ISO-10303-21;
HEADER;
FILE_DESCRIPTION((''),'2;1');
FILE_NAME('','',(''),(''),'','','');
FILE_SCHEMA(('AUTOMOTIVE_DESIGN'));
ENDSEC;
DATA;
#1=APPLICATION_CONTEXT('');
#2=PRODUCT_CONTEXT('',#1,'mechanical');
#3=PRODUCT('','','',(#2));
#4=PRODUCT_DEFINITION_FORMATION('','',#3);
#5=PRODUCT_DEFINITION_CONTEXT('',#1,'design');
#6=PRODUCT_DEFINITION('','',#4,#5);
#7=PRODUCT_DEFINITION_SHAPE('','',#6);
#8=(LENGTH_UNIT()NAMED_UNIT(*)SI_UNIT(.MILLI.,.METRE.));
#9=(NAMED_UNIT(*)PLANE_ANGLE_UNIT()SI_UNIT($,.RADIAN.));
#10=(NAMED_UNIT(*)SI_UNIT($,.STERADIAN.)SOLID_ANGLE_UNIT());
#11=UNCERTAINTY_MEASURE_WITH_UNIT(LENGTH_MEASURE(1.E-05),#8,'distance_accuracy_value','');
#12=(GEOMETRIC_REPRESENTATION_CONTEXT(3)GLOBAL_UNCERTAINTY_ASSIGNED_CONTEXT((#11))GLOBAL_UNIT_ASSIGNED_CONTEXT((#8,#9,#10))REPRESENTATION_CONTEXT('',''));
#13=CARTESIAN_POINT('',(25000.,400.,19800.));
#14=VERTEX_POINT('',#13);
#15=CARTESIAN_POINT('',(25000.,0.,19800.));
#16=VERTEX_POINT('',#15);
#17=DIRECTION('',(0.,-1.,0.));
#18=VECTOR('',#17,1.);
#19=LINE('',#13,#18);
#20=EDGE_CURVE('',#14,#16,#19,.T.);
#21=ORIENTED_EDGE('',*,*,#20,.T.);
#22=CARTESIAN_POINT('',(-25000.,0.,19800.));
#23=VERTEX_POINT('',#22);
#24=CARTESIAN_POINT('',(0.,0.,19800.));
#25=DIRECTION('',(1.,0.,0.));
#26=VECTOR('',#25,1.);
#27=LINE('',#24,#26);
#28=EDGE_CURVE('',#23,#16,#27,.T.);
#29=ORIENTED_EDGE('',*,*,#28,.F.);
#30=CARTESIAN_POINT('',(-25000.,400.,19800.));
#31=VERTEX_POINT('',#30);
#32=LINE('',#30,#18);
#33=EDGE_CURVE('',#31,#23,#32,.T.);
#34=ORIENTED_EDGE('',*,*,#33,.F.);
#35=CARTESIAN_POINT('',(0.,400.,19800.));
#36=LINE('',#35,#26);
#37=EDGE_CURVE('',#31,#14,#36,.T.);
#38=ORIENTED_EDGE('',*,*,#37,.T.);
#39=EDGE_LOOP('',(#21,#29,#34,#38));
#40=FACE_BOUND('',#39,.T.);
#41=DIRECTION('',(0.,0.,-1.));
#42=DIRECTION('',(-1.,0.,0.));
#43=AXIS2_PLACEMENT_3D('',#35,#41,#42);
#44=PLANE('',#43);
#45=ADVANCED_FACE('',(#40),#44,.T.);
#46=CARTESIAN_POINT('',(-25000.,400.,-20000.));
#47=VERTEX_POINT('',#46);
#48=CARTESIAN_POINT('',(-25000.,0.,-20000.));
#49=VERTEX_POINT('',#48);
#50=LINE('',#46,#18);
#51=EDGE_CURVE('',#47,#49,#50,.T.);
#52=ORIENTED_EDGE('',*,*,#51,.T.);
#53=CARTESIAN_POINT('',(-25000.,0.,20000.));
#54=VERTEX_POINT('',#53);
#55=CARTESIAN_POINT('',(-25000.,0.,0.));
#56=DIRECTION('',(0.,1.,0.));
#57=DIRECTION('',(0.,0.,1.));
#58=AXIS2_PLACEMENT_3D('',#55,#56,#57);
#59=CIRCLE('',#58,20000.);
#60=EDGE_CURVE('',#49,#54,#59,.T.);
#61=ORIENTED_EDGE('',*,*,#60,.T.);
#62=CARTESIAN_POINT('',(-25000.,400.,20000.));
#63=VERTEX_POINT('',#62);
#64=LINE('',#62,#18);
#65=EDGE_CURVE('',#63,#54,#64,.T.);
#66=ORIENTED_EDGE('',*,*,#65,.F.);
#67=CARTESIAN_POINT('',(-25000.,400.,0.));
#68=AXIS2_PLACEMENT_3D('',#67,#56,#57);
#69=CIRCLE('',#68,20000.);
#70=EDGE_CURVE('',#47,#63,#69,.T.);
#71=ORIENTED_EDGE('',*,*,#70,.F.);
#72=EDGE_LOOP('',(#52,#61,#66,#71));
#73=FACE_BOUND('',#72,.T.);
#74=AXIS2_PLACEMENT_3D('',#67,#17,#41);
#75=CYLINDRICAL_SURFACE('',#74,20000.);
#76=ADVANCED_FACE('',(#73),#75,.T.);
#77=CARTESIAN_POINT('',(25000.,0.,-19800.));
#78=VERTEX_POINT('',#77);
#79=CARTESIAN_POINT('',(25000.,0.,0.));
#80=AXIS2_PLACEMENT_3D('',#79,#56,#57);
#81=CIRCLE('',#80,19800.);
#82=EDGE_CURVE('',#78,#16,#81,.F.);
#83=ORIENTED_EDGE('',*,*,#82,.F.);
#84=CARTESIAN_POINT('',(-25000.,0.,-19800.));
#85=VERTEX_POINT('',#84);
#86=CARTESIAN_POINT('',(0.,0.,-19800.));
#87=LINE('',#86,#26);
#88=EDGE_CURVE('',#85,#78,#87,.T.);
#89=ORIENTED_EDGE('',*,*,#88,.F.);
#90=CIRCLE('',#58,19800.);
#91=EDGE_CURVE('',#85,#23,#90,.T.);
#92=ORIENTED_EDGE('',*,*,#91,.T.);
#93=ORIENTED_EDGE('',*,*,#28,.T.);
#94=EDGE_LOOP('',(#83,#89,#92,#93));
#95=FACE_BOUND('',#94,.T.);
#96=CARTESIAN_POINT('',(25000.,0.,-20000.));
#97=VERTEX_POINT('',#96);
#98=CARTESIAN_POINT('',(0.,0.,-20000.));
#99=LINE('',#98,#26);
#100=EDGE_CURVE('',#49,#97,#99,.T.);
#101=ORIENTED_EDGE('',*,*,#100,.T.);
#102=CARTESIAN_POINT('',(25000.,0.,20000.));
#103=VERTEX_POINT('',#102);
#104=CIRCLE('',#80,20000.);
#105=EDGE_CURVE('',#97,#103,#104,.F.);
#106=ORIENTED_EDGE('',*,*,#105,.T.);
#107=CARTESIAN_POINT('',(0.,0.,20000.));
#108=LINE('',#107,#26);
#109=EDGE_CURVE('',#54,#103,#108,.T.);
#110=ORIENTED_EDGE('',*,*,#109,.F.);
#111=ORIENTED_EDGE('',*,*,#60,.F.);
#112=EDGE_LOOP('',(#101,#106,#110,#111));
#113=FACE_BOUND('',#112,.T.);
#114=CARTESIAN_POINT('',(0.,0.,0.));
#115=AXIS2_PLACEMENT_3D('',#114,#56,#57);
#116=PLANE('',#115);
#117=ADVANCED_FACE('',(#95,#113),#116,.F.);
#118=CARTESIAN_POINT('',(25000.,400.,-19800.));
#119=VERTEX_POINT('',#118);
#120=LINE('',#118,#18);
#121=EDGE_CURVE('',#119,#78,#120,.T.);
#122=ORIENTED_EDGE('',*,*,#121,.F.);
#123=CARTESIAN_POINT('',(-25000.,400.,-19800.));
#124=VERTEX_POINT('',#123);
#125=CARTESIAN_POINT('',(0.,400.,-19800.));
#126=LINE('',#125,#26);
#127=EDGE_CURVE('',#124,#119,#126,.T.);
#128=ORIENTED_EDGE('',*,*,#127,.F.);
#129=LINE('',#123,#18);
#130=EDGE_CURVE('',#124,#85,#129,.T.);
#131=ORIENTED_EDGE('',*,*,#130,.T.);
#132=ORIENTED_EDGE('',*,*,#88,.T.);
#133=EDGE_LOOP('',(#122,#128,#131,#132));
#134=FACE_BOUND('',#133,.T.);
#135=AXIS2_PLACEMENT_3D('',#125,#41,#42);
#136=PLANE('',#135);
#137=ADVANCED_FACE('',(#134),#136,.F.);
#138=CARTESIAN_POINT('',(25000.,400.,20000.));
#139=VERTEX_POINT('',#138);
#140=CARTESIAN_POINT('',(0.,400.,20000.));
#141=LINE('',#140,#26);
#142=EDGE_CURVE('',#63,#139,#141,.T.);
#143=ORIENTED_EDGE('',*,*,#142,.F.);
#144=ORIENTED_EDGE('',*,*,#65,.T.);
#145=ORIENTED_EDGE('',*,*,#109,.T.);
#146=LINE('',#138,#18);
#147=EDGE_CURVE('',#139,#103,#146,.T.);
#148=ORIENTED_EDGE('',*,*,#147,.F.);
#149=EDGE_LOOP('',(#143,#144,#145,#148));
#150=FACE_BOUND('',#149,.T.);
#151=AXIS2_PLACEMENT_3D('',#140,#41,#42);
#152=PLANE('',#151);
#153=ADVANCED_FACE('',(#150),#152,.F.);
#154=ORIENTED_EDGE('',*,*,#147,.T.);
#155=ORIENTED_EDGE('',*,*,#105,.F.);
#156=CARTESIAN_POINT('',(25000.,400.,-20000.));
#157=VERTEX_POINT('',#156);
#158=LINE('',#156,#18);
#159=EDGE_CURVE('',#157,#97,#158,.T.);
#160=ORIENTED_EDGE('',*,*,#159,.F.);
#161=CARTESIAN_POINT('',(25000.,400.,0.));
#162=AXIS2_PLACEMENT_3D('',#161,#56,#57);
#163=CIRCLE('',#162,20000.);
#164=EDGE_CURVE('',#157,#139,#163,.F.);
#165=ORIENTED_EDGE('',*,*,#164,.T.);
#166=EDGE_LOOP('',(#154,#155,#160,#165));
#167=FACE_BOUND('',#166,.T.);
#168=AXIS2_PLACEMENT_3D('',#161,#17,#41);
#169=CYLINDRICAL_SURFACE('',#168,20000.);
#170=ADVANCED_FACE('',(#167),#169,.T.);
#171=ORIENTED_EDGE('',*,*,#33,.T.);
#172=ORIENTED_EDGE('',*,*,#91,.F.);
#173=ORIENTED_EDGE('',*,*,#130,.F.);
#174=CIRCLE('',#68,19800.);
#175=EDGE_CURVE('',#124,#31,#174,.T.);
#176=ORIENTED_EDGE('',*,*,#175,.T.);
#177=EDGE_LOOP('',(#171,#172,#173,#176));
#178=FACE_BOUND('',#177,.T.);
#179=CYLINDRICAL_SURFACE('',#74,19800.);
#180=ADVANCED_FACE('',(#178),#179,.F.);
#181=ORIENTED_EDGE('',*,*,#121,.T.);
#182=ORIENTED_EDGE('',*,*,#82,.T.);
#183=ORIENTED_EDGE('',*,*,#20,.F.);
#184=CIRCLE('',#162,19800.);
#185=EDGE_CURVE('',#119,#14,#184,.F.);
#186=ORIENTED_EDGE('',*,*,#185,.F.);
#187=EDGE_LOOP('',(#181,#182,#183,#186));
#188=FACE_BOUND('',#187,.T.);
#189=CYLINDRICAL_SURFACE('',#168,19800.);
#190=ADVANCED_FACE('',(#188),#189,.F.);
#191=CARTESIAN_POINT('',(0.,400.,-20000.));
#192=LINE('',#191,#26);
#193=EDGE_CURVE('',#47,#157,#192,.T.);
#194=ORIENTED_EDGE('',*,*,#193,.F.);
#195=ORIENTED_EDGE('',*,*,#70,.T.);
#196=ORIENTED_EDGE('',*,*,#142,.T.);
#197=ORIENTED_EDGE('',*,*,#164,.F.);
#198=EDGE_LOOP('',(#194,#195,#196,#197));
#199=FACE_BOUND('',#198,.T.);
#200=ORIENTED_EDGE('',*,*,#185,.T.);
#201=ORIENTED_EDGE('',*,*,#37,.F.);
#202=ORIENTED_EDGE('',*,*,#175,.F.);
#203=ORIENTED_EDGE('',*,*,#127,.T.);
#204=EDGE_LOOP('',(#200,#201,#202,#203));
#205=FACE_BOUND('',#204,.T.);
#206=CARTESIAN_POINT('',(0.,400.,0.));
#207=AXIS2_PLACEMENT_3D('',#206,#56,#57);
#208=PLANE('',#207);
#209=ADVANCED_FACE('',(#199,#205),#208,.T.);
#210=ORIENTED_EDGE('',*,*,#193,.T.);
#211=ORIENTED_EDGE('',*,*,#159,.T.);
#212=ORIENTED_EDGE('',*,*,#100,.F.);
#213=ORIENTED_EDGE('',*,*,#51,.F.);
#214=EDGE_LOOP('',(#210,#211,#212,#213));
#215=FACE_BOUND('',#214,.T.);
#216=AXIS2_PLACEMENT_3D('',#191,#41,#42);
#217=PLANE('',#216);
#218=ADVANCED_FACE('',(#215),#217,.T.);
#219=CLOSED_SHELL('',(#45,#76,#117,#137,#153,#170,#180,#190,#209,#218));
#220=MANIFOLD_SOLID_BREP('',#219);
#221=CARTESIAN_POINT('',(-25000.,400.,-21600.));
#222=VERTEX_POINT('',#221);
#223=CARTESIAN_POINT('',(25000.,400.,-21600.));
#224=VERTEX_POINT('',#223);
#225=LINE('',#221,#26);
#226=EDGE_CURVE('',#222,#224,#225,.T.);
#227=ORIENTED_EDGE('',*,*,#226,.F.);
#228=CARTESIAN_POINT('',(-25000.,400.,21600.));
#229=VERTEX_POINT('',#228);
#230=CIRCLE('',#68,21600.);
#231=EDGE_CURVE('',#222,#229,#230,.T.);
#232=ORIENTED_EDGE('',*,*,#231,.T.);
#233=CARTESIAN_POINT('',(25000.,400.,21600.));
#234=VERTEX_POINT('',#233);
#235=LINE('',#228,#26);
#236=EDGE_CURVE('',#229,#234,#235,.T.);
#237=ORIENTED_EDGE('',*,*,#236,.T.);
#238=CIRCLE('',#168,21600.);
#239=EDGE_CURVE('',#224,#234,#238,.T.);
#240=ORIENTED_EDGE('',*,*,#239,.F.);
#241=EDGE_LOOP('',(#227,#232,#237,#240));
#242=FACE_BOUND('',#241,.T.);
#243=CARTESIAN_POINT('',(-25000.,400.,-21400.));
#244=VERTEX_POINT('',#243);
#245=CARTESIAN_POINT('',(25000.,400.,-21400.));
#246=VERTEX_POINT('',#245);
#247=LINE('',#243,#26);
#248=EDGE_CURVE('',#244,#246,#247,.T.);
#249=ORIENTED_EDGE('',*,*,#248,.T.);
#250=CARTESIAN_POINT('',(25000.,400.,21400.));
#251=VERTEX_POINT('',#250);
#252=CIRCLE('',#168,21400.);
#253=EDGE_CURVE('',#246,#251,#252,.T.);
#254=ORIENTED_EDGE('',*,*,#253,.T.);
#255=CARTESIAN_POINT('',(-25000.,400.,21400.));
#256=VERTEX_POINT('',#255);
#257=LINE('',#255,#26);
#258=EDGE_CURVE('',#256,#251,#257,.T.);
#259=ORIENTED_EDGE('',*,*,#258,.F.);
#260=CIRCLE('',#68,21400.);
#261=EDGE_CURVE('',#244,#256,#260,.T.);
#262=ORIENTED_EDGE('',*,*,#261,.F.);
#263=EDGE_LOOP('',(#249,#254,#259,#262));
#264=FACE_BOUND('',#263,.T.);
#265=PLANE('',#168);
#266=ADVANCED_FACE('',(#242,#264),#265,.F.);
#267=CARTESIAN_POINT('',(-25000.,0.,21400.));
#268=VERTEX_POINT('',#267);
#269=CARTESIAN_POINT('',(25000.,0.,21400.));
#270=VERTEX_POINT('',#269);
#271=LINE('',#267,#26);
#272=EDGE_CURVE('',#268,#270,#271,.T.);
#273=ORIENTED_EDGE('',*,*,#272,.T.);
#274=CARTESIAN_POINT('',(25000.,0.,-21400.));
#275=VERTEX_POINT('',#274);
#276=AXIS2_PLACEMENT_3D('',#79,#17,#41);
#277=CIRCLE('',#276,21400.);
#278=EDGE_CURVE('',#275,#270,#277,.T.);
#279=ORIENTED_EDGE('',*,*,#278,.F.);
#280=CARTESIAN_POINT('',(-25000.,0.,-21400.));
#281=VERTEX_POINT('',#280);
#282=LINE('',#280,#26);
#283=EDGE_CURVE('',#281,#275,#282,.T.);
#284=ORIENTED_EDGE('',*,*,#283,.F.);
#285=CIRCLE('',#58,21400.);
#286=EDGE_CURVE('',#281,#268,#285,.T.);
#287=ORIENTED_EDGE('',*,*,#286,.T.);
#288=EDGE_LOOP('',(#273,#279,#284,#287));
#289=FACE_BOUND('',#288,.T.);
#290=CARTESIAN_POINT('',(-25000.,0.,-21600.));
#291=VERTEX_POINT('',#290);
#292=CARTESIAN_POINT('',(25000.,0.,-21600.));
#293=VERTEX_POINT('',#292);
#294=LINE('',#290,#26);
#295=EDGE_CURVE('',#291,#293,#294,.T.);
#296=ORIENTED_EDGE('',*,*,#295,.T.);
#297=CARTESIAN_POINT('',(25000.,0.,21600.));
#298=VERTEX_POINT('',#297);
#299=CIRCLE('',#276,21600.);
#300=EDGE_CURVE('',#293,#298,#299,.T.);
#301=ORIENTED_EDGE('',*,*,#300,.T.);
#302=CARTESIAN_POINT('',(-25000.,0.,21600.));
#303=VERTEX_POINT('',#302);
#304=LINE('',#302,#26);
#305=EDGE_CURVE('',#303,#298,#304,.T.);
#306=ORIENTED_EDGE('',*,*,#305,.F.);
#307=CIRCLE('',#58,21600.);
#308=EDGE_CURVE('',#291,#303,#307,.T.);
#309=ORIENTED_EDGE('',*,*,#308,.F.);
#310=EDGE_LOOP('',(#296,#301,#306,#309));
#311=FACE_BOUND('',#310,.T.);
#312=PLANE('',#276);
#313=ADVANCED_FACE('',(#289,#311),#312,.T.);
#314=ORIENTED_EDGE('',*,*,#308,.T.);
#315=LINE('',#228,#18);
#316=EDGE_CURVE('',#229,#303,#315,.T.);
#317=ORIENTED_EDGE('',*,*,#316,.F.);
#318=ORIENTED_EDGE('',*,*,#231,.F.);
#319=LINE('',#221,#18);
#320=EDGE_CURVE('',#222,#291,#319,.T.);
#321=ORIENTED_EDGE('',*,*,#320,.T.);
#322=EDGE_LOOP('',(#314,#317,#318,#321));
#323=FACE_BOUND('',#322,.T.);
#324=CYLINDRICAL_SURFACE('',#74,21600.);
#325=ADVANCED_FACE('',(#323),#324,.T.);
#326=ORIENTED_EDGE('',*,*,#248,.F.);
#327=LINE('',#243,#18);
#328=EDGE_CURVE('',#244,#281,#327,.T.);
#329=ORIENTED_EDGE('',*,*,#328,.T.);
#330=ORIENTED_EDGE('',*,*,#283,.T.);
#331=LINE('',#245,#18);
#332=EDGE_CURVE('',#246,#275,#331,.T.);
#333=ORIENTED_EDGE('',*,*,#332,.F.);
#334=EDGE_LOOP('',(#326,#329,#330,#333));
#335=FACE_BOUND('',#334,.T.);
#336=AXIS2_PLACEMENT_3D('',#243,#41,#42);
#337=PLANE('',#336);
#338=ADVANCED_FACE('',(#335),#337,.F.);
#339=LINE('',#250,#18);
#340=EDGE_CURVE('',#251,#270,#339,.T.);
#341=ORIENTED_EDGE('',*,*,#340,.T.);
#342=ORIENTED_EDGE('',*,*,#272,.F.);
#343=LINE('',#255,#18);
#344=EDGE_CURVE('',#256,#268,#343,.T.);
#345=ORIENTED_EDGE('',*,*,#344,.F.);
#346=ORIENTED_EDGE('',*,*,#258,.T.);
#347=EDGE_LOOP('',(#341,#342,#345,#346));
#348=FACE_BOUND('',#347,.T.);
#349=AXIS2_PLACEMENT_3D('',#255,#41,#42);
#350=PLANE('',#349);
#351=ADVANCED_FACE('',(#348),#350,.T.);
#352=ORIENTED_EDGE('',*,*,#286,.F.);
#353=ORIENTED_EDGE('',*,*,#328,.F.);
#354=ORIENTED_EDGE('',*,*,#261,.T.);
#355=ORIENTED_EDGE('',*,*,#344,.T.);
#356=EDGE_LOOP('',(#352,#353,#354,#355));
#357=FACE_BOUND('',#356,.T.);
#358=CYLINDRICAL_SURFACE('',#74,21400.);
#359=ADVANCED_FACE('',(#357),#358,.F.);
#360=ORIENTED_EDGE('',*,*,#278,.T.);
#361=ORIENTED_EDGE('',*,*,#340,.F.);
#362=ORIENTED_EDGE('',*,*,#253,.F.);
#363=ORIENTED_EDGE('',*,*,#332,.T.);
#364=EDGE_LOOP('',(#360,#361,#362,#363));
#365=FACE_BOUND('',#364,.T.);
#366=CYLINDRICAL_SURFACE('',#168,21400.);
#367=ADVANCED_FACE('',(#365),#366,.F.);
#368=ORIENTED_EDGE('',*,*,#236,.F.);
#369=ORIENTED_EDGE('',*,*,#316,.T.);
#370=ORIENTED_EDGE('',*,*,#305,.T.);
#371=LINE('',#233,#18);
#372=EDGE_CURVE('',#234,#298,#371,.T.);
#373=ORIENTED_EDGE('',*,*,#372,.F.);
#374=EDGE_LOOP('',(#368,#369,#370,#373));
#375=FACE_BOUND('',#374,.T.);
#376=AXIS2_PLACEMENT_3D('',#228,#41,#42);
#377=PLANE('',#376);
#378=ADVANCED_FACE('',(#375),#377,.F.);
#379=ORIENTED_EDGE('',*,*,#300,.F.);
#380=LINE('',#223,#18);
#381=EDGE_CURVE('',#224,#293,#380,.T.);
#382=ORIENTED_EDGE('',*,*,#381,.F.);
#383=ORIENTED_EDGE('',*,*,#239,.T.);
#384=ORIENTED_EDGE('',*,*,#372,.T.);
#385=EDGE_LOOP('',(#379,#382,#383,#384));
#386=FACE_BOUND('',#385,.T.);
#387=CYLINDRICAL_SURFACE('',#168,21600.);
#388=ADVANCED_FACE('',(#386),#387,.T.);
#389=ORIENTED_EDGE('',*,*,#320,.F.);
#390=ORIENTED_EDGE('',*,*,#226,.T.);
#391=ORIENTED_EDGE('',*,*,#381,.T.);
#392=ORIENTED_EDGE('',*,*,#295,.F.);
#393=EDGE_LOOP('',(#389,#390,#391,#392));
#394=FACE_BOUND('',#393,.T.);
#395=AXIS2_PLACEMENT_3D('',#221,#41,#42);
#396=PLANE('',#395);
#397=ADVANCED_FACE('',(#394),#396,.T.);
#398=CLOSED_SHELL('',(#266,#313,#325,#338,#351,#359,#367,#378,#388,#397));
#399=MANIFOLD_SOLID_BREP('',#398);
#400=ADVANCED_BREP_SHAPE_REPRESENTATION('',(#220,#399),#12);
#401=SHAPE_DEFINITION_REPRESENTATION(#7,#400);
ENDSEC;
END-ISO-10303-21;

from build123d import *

# Parameters (mm, degrees)
BOSS_EXTRUDE1_DEPTH = 400
BOSS_EXTRUDE2_DEPTH = 400


with BuildPart() as part:
    # Sketch1 → Boss-Extrude1 (new body)
    with BuildSketch(Plane(origin=(0, 0, 0), x_dir=(1, 0, 0), z_dir=(0, 1, 0))):
        with BuildLine():
            ThreePointArc((-25000, 20000), (-45000, 0), (-25000, -20000))
            Line((-25000, -20000), (25000, -20000))
            ThreePointArc((25000, -20000), (45000, 0), (25000, 20000))
            Line((25000, 20000), (-25000, 20000))
        make_face()
        with BuildLine():
            Line((25000, -19800), (-25000, -19800))
            ThreePointArc((-25000, -19800), (-44800, 0), (-25000, 19800))
            Line((-25000, 19800), (25000, 19800))
            ThreePointArc((25000, 19800), (44800, 0), (25000, -19800))
        make_face(mode=Mode.SUBTRACT)
    extrude(amount=BOSS_EXTRUDE1_DEPTH)


with BuildPart() as body_2:
    # Sketch1<6> → Boss-Extrude2 (new body)
    with BuildSketch(Plane(origin=(0, 0, 0), x_dir=(1, 0, 0), z_dir=(0, 1, 0))):
        with BuildLine():
            Line((-25000, -21600), (25000, -21600))
            ThreePointArc((25000, -21600), (46600, 0), (25000, 21600))
            Line((25000, 21600), (-25000, 21600))
            ThreePointArc((-25000, 21600), (-46600, 0), (-25000, -21600))
        make_face()
        with BuildLine():
            Line((-25000, -21400), (25000, -21400))
            ThreePointArc((25000, -21400), (46400, 0), (25000, 21400))
            Line((25000, 21400), (-25000, 21400))
            ThreePointArc((-25000, 21400), (-46400, 0), (-25000, -21400))
        make_face(mode=Mode.SUBTRACT)
    extrude(amount=BOSS_EXTRUDE2_DEPTH)


solid = Compound([part.part, body_2.part])
